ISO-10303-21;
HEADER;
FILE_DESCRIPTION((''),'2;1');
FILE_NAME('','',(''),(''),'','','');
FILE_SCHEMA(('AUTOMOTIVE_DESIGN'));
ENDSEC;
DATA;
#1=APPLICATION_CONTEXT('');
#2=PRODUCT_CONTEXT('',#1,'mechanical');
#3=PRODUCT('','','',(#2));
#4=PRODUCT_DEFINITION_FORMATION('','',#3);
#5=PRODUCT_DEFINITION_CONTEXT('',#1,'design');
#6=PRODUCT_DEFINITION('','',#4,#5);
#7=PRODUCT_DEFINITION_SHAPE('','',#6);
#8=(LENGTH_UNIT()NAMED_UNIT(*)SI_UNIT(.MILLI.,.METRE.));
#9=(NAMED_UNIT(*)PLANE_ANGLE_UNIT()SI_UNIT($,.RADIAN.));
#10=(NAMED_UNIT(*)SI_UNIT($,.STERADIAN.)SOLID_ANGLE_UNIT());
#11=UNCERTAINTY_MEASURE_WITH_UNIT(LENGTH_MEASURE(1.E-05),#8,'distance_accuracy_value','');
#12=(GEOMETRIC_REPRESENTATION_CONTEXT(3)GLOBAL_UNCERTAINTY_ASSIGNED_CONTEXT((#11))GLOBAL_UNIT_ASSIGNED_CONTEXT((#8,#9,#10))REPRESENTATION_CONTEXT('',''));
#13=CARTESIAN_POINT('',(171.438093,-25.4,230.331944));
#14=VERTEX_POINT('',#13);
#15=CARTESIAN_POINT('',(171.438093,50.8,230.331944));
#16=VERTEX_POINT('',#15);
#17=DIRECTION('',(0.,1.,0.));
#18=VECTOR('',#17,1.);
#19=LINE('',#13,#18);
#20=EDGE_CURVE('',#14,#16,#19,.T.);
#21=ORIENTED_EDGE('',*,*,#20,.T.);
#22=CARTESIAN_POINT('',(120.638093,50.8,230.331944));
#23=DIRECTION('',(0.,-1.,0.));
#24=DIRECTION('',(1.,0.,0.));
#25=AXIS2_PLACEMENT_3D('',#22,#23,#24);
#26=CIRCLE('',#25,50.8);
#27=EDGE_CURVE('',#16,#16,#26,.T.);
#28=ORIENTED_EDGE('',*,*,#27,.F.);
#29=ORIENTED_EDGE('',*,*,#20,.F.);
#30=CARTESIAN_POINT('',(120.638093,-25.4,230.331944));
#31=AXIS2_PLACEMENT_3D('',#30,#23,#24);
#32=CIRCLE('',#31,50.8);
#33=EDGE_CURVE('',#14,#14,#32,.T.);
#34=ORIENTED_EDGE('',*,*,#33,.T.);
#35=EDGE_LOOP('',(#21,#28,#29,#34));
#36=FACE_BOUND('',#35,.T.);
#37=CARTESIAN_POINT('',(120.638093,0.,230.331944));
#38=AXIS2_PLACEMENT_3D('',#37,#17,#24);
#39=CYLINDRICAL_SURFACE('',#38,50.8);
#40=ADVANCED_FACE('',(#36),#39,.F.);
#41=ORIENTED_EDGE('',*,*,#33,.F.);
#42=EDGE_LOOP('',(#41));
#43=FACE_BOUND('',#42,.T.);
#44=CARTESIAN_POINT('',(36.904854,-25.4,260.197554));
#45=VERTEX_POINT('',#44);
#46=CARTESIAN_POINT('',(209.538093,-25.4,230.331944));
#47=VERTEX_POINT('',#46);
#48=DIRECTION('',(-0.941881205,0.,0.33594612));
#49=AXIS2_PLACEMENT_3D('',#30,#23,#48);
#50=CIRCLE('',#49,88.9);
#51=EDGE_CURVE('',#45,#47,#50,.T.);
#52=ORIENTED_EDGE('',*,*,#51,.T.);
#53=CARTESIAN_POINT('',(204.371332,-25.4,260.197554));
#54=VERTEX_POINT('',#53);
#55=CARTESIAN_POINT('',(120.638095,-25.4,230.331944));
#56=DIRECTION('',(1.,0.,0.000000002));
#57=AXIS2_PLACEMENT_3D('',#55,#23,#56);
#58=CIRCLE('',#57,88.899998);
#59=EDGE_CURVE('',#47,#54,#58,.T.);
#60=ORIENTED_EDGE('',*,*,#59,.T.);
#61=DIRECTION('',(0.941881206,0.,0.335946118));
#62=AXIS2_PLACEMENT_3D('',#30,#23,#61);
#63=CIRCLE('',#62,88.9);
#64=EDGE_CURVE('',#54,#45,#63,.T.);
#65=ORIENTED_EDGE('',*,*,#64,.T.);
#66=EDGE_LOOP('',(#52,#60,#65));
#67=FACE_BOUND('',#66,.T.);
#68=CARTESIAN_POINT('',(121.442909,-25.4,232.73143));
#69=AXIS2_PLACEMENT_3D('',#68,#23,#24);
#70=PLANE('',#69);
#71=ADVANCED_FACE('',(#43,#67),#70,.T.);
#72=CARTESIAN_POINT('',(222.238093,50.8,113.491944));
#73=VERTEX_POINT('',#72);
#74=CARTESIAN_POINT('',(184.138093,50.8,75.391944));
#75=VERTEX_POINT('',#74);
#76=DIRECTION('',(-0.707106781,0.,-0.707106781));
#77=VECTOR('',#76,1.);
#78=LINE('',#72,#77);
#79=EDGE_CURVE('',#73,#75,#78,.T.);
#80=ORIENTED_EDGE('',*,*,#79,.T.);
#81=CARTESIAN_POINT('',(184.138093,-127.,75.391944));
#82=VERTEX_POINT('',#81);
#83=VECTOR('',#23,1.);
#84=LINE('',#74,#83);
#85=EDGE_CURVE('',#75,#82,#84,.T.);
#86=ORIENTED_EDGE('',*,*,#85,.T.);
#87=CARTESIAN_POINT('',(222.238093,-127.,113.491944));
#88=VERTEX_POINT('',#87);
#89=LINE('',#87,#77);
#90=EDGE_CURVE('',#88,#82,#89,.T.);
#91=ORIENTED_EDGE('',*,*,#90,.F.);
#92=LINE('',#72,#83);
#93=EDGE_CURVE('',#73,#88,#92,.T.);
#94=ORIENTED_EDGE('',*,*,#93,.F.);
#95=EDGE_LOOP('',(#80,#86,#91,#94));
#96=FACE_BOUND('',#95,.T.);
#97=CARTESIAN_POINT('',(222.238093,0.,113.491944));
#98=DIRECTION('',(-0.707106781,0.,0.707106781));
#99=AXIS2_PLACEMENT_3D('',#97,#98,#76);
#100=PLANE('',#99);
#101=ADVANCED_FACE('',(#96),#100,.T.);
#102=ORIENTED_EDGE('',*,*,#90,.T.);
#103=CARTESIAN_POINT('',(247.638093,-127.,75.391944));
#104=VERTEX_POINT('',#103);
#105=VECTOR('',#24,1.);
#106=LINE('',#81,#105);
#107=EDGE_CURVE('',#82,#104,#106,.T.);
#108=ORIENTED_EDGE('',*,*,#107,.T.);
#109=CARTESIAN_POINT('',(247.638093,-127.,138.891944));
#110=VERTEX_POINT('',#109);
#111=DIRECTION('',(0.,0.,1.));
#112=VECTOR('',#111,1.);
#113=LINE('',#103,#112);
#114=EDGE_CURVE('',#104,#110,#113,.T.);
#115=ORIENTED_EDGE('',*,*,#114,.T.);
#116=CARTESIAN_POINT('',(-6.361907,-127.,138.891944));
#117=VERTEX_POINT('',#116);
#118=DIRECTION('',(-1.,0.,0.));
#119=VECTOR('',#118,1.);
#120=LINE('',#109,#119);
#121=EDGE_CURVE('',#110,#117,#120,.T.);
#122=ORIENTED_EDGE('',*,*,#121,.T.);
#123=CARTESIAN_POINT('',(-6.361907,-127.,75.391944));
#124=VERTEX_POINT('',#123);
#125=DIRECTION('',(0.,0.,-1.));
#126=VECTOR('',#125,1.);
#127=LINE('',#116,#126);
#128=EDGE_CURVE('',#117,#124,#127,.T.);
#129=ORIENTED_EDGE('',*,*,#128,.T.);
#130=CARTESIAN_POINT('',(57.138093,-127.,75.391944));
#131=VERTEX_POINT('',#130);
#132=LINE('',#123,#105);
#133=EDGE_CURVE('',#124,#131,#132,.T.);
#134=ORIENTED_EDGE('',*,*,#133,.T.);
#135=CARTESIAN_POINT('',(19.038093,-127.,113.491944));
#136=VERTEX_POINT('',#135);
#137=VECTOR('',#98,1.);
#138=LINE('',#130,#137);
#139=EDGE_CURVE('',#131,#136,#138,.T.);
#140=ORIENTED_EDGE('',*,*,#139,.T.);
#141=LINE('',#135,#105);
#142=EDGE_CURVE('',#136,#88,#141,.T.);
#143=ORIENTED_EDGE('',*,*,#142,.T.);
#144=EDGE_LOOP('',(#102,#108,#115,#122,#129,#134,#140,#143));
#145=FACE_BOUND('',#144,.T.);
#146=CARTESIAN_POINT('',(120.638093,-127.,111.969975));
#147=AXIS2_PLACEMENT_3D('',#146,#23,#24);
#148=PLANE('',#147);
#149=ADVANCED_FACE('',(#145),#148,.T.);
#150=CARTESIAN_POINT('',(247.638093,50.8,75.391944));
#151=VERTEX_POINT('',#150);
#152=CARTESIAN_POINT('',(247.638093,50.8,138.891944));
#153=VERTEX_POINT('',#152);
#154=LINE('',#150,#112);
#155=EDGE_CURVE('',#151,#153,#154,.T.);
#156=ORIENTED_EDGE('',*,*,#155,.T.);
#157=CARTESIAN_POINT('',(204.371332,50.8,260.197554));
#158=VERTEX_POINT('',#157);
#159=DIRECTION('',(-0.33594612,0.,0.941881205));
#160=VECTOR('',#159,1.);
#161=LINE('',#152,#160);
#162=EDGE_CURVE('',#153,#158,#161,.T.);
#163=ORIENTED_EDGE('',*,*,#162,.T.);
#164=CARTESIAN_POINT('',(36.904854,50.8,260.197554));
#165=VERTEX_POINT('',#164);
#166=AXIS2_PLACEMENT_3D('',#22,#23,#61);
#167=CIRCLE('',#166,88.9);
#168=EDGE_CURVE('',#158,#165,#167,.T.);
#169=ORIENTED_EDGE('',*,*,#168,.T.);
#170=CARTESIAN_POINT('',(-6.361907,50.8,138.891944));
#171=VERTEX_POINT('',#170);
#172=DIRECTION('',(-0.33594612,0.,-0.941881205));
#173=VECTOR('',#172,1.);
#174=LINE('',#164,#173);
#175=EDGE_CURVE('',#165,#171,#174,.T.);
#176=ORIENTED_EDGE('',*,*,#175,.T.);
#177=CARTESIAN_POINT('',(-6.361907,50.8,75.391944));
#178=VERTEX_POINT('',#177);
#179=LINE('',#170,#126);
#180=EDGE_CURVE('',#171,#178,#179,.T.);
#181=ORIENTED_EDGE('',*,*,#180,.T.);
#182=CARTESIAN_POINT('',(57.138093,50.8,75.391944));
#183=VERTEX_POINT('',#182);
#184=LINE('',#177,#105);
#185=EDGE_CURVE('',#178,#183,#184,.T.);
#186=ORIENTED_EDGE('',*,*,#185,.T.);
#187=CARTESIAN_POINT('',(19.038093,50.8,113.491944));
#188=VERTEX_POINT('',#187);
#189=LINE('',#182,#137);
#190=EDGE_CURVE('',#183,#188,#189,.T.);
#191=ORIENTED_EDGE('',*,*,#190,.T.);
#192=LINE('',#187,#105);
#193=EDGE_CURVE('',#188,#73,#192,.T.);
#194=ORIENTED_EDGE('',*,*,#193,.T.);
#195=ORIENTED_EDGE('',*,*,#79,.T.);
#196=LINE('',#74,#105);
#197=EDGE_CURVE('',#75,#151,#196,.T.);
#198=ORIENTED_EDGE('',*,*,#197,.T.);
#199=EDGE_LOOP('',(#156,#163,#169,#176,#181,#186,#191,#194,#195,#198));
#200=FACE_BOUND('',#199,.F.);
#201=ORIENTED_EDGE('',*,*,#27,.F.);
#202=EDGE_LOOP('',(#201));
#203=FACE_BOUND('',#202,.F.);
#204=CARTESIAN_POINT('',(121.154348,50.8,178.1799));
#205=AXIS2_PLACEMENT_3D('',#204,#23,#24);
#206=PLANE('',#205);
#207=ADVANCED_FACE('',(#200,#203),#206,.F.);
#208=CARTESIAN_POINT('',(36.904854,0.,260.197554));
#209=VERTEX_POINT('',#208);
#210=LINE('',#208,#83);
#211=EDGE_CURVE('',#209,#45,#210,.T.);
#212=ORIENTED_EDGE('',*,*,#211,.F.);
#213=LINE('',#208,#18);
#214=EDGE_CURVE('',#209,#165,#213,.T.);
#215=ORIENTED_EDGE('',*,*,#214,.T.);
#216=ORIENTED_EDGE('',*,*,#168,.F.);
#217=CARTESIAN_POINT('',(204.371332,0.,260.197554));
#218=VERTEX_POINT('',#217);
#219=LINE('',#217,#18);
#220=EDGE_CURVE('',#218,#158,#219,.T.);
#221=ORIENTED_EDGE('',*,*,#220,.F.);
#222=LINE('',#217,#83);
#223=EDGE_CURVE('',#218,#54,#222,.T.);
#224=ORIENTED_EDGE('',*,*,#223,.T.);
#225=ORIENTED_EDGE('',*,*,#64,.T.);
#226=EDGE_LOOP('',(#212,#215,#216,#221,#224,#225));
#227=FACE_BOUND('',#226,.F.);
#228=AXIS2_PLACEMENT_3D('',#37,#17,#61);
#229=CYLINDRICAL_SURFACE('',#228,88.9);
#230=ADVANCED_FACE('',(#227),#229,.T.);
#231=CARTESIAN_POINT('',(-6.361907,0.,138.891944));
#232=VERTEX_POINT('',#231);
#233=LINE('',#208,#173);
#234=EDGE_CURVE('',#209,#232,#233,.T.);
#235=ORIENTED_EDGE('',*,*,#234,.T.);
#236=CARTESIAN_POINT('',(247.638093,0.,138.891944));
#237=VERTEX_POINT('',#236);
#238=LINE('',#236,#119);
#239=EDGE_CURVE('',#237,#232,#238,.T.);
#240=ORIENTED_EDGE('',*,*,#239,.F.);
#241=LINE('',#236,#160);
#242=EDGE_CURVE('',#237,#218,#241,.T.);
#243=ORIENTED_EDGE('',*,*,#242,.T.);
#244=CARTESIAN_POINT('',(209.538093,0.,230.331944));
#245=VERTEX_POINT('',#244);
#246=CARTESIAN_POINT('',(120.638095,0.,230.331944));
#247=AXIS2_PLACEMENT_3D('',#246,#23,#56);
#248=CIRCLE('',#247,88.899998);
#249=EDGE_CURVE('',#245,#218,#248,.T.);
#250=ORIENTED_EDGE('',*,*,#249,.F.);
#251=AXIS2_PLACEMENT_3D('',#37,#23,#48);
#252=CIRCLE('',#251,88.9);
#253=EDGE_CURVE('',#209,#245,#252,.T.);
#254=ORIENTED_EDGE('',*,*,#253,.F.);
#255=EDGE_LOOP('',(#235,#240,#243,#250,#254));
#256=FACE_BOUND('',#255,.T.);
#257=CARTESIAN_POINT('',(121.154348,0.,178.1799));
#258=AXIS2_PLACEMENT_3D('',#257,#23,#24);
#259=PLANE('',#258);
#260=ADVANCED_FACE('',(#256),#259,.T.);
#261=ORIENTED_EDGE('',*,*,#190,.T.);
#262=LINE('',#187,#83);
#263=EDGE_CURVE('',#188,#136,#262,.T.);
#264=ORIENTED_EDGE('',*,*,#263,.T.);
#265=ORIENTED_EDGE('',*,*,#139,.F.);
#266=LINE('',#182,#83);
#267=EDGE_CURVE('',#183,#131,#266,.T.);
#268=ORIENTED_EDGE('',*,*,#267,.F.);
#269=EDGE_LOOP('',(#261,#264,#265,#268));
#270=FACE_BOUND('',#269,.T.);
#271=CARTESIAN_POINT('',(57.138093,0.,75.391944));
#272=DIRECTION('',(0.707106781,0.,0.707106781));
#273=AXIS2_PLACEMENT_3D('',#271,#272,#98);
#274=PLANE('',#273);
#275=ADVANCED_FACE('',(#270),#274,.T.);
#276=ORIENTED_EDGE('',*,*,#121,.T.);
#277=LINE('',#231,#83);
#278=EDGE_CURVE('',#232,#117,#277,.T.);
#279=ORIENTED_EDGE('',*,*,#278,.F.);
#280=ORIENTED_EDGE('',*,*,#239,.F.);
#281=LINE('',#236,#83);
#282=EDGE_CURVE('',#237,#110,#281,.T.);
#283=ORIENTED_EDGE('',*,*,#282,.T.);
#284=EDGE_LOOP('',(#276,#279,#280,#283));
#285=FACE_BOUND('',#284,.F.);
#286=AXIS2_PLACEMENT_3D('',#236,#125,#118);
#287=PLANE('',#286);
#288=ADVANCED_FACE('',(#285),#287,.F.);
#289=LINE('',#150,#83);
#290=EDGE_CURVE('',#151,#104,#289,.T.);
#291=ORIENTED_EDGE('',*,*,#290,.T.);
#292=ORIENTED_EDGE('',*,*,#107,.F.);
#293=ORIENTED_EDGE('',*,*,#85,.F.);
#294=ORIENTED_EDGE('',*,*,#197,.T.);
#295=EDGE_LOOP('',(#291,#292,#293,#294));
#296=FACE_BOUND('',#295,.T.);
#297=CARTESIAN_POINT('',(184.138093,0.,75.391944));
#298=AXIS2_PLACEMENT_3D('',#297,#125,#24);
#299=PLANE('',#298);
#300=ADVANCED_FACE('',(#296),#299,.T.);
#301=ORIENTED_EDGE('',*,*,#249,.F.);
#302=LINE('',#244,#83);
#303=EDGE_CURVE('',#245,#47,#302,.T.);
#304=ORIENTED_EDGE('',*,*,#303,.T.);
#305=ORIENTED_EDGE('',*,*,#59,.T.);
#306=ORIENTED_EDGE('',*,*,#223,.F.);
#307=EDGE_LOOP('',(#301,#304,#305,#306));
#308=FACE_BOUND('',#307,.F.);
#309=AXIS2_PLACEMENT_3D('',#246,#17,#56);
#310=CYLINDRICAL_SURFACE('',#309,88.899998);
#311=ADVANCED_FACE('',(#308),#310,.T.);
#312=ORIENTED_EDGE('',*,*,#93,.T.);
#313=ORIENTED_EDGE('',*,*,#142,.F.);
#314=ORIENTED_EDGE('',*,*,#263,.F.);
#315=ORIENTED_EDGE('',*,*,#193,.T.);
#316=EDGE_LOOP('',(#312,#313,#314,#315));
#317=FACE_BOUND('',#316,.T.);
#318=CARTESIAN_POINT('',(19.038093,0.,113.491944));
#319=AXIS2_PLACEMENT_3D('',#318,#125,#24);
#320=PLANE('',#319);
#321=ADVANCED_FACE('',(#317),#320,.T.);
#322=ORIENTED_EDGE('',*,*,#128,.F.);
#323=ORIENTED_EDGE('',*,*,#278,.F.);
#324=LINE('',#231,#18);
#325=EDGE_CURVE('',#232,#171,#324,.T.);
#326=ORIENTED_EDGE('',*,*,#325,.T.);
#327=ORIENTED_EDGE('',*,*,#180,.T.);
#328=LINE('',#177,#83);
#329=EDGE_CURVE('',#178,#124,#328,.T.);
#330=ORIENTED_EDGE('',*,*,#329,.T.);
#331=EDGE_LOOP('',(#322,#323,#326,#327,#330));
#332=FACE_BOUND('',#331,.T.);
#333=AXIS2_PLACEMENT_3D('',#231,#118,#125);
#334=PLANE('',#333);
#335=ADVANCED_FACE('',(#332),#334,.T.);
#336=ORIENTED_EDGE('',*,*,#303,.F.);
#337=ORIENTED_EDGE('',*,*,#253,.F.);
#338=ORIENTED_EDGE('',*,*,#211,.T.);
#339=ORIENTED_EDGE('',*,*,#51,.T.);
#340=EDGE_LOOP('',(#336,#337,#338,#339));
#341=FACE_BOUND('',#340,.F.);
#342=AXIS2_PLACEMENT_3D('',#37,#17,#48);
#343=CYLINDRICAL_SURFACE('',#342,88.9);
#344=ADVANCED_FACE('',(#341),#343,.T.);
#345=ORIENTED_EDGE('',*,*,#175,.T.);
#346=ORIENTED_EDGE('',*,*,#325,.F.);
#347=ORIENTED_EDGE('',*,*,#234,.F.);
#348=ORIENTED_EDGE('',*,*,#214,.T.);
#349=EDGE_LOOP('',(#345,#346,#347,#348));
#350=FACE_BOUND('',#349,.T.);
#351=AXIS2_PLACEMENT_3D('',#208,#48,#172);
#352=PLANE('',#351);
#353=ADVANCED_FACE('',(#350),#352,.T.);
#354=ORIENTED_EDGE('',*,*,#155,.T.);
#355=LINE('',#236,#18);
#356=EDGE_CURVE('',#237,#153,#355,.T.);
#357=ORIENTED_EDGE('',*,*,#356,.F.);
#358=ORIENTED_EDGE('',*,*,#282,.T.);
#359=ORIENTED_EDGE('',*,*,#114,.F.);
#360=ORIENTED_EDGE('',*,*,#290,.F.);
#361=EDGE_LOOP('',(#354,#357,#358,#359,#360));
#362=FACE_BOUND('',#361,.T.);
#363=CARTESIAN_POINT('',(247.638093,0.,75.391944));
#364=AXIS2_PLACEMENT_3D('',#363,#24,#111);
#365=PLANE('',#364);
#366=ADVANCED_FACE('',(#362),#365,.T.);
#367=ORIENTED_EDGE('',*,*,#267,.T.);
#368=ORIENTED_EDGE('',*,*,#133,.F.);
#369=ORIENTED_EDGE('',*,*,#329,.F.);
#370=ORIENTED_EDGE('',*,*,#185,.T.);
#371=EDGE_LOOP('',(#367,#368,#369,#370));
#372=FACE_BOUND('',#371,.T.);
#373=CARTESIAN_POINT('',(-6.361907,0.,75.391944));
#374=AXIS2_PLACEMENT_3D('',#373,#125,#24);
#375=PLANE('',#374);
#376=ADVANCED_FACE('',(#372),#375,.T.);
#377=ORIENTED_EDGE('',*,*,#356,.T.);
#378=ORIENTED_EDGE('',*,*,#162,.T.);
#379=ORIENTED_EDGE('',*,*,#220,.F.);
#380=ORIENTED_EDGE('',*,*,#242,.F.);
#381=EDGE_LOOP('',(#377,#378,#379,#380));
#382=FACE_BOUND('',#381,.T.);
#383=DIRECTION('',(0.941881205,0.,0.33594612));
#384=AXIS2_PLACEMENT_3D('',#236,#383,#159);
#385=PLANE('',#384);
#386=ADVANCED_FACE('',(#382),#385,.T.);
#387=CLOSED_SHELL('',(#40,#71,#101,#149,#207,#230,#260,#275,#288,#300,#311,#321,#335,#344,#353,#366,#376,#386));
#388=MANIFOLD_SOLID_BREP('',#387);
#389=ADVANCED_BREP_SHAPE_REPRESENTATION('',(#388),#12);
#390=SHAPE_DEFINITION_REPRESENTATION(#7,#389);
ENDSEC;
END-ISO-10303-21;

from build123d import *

# Parameters (mm, degrees)
F1_DEPTH = 127
F0_R     = 50.8
F2_DEPTH = 50.8
F3_DEPTH = 25.4


with BuildPart() as f1:
    # F0 (on Front) → F1 (new body)
    with BuildSketch(Plane.XZ):
        Polygon((247.638093, 75.391944), (247.638093, 138.891944), (-6.361907, 138.891944), (-6.361907, 75.391944), (57.138093, 75.391944), (19.038093, 113.491944), (222.238093, 113.491944), (184.138093, 75.391944), align=None)
    extrude(amount=F1_DEPTH)

    # F0 (on Front) → F2 (join)
    with BuildSketch(Plane.XZ):
        with BuildLine():
            Line((-6.361907, 138.891944), (247.638093, 138.891944))
            Line((247.638093, 138.891944), (204.371332, 260.197554))
            ThreePointArc((204.371332, 260.197554), (208.23688, 245.486564), (209.538093, 230.331944))
            ThreePointArc((209.538093, 230.331944), (105.483473, 142.733157), (36.904854, 260.197554))
            Line((36.904854, 260.197554), (-6.361907, 138.891944))
        make_face()
        with BuildLine():
            ThreePointArc((209.538093, 230.331944), (208.23688, 245.486564), (204.371332, 260.197554))
            ThreePointArc((204.371332, 260.197554), (120.638093, 319.231944), (36.904854, 260.197554))
            ThreePointArc((36.904854, 260.197554), (105.483473, 142.733157), (209.538093, 230.331944))
        make_face()
        with Locations((120.638093, 230.331944)):
            Circle(F0_R, mode=Mode.SUBTRACT)
        Polygon((247.638093, 75.391944), (247.638093, 138.891944), (-6.361907, 138.891944), (-6.361907, 75.391944), (57.138093, 75.391944), (19.038093, 113.491944), (222.238093, 113.491944), (184.138093, 75.391944), align=None)
    extrude(amount=-F2_DEPTH)

    # F0 (on Front) → F3 (join)
    with BuildSketch(Plane.XZ):
        with BuildLine():
            ThreePointArc((209.538093, 230.331944), (208.23688, 245.486564), (204.371332, 260.197554))
            ThreePointArc((204.371332, 260.197554), (120.638093, 319.231944), (36.904854, 260.197554))
            ThreePointArc((36.904854, 260.197554), (105.483473, 142.733157), (209.538093, 230.331944))
        make_face()
        with Locations((120.638093, 230.331944)):
            Circle(F0_R, mode=Mode.SUBTRACT)
    extrude(amount=F3_DEPTH)


solid = f1.part
